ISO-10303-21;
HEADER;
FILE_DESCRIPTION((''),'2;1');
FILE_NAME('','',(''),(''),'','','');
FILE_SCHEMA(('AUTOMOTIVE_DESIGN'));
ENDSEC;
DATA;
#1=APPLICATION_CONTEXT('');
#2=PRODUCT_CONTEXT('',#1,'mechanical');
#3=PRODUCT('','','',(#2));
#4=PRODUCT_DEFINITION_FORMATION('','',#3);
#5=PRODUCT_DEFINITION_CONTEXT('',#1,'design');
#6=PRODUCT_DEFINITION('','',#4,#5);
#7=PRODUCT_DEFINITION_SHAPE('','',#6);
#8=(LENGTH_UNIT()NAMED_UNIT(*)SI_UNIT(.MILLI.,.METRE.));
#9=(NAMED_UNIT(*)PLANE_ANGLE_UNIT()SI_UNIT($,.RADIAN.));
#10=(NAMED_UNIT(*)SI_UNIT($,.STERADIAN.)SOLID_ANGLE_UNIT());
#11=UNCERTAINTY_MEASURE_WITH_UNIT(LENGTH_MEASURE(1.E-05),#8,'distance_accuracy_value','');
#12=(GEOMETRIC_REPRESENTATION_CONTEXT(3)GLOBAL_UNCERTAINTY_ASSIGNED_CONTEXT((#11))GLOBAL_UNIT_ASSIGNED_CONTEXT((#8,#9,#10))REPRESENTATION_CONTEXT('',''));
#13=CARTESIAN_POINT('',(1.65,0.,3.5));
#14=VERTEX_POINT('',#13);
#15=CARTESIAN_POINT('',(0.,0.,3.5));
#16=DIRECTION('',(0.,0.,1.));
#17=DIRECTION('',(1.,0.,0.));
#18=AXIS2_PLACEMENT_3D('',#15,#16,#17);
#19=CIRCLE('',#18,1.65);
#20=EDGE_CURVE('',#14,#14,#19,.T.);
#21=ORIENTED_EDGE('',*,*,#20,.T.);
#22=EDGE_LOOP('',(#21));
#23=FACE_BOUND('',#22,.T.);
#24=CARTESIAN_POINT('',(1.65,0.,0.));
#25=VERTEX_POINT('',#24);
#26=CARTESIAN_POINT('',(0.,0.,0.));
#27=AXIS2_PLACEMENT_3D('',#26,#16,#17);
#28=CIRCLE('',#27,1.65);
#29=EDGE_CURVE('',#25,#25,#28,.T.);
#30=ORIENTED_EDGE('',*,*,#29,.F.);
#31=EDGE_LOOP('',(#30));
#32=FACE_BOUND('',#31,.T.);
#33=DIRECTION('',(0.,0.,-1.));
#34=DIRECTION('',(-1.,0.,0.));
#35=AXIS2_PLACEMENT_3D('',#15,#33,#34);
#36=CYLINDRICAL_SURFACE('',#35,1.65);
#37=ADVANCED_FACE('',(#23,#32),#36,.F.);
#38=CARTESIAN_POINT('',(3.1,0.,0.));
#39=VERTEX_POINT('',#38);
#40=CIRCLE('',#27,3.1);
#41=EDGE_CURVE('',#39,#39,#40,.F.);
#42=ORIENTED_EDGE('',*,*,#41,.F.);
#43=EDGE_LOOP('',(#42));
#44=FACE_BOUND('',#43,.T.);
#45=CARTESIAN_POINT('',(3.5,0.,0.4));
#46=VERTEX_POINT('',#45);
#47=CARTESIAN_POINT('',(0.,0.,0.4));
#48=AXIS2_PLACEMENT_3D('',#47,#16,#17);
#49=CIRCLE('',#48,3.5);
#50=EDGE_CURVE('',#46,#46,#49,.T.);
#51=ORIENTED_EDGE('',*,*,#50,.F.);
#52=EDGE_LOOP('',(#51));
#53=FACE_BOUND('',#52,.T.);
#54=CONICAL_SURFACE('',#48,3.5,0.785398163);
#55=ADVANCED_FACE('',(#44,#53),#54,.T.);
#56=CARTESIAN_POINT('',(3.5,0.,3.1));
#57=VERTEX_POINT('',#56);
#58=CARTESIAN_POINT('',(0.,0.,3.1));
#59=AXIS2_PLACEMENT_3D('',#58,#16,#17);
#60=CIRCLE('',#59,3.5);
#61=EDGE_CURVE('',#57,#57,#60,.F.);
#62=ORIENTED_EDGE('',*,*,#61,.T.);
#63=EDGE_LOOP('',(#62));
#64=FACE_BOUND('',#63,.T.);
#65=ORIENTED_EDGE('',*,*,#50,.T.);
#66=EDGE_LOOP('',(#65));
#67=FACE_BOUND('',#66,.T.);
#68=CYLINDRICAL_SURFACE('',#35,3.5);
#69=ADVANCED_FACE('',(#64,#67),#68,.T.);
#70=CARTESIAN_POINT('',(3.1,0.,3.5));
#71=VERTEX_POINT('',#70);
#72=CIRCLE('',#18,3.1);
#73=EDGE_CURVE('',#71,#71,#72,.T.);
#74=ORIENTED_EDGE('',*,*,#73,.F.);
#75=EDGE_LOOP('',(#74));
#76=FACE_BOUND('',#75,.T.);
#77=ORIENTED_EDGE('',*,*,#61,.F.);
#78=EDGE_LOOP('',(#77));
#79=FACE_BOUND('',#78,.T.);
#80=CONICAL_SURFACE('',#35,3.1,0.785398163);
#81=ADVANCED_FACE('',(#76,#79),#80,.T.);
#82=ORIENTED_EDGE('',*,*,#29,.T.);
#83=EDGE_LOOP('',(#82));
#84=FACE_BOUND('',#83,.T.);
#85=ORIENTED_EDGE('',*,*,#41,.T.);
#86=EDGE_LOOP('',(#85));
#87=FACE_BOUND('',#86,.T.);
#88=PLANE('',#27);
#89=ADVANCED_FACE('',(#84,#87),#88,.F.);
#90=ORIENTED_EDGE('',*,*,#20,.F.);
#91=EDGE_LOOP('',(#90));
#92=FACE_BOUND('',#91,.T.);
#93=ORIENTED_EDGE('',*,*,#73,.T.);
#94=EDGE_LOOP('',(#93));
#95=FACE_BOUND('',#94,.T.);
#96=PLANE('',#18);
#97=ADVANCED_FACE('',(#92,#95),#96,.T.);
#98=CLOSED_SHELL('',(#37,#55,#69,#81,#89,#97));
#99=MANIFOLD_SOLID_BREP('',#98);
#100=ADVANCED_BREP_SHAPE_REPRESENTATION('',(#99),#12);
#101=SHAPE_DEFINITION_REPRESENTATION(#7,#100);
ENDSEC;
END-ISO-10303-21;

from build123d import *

# Parameters (mm, degrees)
SKETCH_1_R      = 3.5
SKETCH_1_R_2    = 1.65
EXTRUDE_1_DEPTH = 3.5
CHAMFER_1_SIZE  = 0.4


with BuildPart() as part:
    # 草图1 → 凸台-拉伸1 (new body)
    with BuildSketch(Plane.XY):
        Circle(SKETCH_1_R)
        Circle(SKETCH_1_R_2, mode=Mode.SUBTRACT)
    extrude(amount=EXTRUDE_1_DEPTH)

    # 倒角1
    chamfer_1_edges = [part.edges().sort_by_distance(p)[0] for p in [
        (-3.5, 0, 0),
        (-3.5, 0, 3.5),
    ]]
    chamfer(chamfer_1_edges, length=CHAMFER_1_SIZE)


solid = part.part
